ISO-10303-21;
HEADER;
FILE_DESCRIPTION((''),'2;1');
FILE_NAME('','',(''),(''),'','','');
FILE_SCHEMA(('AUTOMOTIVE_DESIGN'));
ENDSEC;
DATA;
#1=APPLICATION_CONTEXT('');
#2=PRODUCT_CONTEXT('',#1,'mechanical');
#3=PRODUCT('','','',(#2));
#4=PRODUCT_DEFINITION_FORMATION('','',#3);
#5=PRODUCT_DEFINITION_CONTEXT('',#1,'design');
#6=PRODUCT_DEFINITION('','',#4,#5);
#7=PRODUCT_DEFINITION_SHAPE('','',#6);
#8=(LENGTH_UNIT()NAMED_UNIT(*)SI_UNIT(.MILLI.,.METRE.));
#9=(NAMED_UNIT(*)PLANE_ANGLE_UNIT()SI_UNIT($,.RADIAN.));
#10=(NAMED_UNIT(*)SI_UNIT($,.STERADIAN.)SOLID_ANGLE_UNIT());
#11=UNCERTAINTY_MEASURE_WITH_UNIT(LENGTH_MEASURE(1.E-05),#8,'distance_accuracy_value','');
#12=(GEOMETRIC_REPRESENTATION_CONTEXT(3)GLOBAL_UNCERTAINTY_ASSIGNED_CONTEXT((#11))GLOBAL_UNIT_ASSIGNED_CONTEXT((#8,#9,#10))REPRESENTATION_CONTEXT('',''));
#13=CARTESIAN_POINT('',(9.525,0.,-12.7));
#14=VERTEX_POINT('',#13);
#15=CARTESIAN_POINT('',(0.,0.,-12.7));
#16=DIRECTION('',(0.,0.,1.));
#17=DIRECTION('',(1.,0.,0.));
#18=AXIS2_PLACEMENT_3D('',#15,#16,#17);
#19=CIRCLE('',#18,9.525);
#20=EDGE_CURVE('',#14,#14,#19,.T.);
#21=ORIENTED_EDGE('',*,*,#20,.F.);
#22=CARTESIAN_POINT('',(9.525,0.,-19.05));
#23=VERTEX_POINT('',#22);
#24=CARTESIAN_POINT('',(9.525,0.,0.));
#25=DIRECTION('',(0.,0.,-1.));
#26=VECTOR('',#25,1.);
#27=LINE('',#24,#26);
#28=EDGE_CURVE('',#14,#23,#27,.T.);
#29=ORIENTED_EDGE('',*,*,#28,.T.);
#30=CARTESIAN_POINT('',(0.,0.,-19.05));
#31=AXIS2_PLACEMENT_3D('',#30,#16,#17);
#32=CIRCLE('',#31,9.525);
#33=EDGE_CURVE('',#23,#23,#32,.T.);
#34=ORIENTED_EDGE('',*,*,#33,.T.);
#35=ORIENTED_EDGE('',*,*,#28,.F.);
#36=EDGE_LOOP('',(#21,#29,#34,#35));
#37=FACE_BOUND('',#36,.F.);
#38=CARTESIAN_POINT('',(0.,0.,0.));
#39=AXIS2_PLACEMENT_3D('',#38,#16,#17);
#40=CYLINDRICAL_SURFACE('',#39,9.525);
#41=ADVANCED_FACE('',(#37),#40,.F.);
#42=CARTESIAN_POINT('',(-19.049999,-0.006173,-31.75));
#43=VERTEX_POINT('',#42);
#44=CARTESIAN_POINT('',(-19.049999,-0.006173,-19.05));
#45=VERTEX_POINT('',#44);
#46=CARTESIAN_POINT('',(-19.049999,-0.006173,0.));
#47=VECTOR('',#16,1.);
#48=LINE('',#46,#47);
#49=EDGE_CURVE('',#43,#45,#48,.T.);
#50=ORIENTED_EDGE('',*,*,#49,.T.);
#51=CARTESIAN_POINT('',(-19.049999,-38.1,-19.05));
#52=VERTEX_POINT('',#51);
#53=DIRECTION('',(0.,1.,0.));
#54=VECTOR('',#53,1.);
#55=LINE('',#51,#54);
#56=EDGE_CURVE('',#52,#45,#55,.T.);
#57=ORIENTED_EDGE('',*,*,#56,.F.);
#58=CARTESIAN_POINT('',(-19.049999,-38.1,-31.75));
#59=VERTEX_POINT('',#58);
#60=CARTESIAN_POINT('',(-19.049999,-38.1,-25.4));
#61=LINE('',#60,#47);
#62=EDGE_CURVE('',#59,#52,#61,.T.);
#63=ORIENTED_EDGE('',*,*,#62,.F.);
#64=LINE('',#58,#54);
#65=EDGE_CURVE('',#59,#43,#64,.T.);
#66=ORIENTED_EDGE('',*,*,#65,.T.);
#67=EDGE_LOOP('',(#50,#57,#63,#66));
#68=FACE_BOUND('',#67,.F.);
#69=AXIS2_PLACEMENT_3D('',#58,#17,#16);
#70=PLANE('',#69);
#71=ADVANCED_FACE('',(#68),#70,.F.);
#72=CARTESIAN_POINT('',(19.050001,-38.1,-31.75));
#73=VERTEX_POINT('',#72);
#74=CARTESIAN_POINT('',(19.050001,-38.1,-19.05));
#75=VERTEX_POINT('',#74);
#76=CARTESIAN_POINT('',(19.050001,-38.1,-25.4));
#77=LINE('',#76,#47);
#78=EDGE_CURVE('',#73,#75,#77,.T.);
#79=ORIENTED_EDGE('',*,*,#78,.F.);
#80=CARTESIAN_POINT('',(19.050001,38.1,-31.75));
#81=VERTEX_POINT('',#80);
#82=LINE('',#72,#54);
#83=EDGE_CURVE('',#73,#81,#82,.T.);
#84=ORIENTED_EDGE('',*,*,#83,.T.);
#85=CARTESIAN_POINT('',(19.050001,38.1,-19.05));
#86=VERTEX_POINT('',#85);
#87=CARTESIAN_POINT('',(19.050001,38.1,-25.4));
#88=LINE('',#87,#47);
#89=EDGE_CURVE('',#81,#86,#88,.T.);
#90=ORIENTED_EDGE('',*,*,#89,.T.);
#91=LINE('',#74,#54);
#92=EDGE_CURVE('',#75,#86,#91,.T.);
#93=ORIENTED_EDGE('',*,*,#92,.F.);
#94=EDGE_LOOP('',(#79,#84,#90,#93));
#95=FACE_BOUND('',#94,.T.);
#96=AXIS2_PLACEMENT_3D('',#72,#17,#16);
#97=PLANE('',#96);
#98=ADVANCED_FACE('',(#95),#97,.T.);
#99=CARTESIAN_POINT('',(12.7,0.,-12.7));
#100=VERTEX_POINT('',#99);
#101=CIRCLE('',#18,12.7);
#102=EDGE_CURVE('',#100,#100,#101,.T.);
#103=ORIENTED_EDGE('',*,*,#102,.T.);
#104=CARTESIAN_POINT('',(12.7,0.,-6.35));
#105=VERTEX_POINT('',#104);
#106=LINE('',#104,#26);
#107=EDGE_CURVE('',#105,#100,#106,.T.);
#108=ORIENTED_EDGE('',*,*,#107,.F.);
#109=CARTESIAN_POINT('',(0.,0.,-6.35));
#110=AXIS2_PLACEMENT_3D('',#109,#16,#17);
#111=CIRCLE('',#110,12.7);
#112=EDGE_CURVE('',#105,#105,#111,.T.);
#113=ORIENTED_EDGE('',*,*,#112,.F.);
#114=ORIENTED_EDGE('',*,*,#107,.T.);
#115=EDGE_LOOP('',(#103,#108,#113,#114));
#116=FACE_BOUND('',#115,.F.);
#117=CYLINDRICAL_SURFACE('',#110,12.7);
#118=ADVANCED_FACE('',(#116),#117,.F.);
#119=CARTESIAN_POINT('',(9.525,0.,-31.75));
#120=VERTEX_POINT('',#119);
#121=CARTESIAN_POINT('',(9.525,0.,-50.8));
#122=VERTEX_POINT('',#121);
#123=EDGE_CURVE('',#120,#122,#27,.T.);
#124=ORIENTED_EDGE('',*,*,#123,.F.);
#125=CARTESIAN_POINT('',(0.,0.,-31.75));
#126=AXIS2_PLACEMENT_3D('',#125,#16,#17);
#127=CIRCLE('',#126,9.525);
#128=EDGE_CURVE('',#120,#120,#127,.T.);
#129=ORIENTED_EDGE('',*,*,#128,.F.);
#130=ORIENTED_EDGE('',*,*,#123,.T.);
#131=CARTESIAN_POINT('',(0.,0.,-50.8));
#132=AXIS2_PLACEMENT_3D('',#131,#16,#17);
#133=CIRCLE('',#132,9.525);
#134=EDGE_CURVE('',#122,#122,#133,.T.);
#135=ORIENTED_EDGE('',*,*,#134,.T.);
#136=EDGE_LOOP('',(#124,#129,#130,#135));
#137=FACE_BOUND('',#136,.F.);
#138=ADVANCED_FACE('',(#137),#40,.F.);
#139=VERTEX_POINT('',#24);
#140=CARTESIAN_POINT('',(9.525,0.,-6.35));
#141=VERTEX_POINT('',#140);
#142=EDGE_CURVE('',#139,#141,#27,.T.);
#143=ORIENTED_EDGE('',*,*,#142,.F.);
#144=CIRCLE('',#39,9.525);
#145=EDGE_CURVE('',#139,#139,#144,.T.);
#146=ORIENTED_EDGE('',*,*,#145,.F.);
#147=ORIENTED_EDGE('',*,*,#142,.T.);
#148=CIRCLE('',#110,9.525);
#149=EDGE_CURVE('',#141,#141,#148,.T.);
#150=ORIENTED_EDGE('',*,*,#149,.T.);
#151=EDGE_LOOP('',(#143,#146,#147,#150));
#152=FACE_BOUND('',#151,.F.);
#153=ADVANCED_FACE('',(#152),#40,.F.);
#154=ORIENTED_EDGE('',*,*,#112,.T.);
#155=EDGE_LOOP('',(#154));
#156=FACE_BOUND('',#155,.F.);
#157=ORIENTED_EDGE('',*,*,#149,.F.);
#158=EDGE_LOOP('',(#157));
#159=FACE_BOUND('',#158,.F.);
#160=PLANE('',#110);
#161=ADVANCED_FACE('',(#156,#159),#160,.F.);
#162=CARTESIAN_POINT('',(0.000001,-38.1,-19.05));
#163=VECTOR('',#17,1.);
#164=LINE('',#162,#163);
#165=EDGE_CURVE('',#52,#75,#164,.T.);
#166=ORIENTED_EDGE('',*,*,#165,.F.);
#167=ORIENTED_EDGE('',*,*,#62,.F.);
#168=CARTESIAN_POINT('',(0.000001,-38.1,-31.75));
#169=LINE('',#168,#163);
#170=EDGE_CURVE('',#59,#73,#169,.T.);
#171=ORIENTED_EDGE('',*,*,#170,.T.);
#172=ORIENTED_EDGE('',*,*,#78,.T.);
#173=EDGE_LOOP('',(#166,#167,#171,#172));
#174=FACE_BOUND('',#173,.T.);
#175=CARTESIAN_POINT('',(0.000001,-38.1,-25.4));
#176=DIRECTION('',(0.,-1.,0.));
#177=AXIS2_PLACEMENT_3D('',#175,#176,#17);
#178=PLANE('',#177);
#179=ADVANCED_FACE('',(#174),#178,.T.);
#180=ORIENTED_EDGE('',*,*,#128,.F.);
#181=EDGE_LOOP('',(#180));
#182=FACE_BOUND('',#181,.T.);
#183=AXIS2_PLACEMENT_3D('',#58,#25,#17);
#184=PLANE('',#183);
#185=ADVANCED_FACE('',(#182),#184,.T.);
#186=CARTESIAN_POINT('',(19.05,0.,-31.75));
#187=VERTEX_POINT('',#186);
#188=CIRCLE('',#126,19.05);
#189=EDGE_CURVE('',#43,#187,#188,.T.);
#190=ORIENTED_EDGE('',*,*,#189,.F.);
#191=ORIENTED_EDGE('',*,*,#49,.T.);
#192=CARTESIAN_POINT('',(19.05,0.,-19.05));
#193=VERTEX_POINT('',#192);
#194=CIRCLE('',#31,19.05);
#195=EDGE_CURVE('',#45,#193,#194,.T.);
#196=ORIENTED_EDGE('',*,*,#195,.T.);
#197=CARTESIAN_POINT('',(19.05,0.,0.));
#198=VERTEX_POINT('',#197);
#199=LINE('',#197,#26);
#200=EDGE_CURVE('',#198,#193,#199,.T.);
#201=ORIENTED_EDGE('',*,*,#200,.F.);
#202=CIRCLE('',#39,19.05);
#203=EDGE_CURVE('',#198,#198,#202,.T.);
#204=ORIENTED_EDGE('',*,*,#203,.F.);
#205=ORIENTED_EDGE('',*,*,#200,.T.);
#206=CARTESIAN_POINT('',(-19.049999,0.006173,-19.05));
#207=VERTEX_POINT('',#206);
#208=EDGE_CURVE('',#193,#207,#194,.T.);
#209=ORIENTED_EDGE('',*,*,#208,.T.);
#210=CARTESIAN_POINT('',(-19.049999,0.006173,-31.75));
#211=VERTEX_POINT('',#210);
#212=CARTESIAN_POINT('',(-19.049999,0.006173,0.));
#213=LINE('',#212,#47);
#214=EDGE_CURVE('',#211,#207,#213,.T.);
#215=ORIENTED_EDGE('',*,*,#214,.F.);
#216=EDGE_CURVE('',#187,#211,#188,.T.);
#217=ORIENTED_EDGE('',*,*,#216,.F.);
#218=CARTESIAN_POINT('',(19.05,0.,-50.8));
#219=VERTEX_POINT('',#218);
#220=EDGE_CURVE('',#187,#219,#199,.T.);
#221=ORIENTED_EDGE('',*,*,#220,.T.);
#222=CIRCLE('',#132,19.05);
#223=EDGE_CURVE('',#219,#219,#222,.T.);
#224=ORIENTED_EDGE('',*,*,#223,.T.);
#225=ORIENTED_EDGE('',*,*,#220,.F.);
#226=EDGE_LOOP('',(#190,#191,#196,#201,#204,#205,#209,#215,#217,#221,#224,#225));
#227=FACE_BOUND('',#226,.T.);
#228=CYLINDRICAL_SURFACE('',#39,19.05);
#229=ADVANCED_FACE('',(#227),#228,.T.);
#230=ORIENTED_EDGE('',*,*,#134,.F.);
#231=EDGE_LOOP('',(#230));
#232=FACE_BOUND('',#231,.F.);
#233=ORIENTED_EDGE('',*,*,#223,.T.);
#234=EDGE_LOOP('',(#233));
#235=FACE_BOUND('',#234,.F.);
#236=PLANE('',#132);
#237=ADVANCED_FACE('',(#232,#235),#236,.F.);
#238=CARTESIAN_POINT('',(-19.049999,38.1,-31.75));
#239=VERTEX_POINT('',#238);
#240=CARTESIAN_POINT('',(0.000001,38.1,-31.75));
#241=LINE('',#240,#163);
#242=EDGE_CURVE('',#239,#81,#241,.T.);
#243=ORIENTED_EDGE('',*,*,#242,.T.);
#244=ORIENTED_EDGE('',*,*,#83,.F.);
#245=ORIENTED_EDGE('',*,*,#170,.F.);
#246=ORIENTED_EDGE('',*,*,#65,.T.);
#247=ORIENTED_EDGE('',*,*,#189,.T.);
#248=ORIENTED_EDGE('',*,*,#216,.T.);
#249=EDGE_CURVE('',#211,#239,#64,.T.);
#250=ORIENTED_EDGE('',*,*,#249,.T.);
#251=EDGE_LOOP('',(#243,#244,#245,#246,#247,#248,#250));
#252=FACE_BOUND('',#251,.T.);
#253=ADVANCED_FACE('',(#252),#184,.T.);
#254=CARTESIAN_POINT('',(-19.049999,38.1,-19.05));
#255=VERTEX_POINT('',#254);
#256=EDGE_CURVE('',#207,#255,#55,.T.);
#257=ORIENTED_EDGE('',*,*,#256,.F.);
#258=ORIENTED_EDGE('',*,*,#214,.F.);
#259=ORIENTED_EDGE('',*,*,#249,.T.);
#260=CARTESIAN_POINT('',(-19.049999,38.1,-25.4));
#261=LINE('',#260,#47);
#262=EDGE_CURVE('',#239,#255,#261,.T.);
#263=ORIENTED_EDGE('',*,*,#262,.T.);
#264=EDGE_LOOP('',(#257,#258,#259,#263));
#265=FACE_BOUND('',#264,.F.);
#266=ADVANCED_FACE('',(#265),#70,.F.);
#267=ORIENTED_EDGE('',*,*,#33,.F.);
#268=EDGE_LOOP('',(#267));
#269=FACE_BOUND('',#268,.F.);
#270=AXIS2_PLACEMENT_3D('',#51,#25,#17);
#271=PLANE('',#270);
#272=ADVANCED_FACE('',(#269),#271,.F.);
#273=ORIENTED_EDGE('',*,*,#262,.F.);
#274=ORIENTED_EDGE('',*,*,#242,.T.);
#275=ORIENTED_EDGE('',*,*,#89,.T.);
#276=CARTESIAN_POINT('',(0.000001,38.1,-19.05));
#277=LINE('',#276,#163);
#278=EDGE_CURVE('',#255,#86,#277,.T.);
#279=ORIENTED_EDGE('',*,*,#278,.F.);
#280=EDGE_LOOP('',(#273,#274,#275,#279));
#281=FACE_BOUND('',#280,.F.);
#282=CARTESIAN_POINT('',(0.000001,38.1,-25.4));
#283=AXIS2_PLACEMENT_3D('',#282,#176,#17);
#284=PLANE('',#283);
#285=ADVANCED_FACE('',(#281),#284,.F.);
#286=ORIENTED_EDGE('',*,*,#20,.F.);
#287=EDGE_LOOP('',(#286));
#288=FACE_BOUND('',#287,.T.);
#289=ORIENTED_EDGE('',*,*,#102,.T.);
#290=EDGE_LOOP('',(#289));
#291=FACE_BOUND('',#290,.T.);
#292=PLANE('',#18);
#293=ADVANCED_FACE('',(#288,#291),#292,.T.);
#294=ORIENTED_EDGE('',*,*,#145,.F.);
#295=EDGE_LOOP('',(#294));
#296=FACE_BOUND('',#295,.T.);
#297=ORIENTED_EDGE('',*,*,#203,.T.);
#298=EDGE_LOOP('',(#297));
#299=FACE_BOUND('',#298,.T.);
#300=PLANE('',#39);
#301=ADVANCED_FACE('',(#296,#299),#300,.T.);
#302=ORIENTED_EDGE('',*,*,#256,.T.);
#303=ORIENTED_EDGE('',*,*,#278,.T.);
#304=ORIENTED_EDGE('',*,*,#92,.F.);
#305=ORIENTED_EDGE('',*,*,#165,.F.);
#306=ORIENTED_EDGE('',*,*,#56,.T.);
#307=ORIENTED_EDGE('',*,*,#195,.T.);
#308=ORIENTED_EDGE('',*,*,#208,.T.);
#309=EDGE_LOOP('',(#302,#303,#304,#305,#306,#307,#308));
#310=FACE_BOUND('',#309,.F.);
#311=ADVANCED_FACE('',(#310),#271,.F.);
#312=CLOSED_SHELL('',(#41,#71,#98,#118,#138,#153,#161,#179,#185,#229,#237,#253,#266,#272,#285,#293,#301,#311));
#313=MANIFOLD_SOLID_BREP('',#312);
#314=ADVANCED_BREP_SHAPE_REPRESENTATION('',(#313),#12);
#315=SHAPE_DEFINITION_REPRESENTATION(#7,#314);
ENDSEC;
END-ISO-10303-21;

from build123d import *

# Parameters (mm, degrees)
F0_R     = 19.05
F0_R_2   = 9.525
F1_DEPTH = 50.8
F3_W     = 38.1
F3_H     = 12.7
F4_DEPTH = 76.2
F6_R     = 12.7
F7_DEPTH = 6.35


with BuildPart() as f1:
    # F0 (on Top) → F1 (new body)
    with BuildSketch(Plane.XY):
        Circle(F0_R)
        Circle(F0_R_2, mode=Mode.SUBTRACT)
    extrude(amount=-F1_DEPTH)

    # F3 (on offset) → F4 (join)
    with BuildSketch(Plane.XZ.offset(38.1)):
        with Locations((1e-06, -25.4)):
            Rectangle(F3_W, F3_H)
    extrude(amount=-F4_DEPTH)

    # F6 (on offset) → F7 (cut)
    with BuildSketch(Plane.XY.offset(-6.35)):
        Circle(F6_R)
    extrude(amount=-F7_DEPTH, mode=Mode.SUBTRACT)


solid = f1.part
